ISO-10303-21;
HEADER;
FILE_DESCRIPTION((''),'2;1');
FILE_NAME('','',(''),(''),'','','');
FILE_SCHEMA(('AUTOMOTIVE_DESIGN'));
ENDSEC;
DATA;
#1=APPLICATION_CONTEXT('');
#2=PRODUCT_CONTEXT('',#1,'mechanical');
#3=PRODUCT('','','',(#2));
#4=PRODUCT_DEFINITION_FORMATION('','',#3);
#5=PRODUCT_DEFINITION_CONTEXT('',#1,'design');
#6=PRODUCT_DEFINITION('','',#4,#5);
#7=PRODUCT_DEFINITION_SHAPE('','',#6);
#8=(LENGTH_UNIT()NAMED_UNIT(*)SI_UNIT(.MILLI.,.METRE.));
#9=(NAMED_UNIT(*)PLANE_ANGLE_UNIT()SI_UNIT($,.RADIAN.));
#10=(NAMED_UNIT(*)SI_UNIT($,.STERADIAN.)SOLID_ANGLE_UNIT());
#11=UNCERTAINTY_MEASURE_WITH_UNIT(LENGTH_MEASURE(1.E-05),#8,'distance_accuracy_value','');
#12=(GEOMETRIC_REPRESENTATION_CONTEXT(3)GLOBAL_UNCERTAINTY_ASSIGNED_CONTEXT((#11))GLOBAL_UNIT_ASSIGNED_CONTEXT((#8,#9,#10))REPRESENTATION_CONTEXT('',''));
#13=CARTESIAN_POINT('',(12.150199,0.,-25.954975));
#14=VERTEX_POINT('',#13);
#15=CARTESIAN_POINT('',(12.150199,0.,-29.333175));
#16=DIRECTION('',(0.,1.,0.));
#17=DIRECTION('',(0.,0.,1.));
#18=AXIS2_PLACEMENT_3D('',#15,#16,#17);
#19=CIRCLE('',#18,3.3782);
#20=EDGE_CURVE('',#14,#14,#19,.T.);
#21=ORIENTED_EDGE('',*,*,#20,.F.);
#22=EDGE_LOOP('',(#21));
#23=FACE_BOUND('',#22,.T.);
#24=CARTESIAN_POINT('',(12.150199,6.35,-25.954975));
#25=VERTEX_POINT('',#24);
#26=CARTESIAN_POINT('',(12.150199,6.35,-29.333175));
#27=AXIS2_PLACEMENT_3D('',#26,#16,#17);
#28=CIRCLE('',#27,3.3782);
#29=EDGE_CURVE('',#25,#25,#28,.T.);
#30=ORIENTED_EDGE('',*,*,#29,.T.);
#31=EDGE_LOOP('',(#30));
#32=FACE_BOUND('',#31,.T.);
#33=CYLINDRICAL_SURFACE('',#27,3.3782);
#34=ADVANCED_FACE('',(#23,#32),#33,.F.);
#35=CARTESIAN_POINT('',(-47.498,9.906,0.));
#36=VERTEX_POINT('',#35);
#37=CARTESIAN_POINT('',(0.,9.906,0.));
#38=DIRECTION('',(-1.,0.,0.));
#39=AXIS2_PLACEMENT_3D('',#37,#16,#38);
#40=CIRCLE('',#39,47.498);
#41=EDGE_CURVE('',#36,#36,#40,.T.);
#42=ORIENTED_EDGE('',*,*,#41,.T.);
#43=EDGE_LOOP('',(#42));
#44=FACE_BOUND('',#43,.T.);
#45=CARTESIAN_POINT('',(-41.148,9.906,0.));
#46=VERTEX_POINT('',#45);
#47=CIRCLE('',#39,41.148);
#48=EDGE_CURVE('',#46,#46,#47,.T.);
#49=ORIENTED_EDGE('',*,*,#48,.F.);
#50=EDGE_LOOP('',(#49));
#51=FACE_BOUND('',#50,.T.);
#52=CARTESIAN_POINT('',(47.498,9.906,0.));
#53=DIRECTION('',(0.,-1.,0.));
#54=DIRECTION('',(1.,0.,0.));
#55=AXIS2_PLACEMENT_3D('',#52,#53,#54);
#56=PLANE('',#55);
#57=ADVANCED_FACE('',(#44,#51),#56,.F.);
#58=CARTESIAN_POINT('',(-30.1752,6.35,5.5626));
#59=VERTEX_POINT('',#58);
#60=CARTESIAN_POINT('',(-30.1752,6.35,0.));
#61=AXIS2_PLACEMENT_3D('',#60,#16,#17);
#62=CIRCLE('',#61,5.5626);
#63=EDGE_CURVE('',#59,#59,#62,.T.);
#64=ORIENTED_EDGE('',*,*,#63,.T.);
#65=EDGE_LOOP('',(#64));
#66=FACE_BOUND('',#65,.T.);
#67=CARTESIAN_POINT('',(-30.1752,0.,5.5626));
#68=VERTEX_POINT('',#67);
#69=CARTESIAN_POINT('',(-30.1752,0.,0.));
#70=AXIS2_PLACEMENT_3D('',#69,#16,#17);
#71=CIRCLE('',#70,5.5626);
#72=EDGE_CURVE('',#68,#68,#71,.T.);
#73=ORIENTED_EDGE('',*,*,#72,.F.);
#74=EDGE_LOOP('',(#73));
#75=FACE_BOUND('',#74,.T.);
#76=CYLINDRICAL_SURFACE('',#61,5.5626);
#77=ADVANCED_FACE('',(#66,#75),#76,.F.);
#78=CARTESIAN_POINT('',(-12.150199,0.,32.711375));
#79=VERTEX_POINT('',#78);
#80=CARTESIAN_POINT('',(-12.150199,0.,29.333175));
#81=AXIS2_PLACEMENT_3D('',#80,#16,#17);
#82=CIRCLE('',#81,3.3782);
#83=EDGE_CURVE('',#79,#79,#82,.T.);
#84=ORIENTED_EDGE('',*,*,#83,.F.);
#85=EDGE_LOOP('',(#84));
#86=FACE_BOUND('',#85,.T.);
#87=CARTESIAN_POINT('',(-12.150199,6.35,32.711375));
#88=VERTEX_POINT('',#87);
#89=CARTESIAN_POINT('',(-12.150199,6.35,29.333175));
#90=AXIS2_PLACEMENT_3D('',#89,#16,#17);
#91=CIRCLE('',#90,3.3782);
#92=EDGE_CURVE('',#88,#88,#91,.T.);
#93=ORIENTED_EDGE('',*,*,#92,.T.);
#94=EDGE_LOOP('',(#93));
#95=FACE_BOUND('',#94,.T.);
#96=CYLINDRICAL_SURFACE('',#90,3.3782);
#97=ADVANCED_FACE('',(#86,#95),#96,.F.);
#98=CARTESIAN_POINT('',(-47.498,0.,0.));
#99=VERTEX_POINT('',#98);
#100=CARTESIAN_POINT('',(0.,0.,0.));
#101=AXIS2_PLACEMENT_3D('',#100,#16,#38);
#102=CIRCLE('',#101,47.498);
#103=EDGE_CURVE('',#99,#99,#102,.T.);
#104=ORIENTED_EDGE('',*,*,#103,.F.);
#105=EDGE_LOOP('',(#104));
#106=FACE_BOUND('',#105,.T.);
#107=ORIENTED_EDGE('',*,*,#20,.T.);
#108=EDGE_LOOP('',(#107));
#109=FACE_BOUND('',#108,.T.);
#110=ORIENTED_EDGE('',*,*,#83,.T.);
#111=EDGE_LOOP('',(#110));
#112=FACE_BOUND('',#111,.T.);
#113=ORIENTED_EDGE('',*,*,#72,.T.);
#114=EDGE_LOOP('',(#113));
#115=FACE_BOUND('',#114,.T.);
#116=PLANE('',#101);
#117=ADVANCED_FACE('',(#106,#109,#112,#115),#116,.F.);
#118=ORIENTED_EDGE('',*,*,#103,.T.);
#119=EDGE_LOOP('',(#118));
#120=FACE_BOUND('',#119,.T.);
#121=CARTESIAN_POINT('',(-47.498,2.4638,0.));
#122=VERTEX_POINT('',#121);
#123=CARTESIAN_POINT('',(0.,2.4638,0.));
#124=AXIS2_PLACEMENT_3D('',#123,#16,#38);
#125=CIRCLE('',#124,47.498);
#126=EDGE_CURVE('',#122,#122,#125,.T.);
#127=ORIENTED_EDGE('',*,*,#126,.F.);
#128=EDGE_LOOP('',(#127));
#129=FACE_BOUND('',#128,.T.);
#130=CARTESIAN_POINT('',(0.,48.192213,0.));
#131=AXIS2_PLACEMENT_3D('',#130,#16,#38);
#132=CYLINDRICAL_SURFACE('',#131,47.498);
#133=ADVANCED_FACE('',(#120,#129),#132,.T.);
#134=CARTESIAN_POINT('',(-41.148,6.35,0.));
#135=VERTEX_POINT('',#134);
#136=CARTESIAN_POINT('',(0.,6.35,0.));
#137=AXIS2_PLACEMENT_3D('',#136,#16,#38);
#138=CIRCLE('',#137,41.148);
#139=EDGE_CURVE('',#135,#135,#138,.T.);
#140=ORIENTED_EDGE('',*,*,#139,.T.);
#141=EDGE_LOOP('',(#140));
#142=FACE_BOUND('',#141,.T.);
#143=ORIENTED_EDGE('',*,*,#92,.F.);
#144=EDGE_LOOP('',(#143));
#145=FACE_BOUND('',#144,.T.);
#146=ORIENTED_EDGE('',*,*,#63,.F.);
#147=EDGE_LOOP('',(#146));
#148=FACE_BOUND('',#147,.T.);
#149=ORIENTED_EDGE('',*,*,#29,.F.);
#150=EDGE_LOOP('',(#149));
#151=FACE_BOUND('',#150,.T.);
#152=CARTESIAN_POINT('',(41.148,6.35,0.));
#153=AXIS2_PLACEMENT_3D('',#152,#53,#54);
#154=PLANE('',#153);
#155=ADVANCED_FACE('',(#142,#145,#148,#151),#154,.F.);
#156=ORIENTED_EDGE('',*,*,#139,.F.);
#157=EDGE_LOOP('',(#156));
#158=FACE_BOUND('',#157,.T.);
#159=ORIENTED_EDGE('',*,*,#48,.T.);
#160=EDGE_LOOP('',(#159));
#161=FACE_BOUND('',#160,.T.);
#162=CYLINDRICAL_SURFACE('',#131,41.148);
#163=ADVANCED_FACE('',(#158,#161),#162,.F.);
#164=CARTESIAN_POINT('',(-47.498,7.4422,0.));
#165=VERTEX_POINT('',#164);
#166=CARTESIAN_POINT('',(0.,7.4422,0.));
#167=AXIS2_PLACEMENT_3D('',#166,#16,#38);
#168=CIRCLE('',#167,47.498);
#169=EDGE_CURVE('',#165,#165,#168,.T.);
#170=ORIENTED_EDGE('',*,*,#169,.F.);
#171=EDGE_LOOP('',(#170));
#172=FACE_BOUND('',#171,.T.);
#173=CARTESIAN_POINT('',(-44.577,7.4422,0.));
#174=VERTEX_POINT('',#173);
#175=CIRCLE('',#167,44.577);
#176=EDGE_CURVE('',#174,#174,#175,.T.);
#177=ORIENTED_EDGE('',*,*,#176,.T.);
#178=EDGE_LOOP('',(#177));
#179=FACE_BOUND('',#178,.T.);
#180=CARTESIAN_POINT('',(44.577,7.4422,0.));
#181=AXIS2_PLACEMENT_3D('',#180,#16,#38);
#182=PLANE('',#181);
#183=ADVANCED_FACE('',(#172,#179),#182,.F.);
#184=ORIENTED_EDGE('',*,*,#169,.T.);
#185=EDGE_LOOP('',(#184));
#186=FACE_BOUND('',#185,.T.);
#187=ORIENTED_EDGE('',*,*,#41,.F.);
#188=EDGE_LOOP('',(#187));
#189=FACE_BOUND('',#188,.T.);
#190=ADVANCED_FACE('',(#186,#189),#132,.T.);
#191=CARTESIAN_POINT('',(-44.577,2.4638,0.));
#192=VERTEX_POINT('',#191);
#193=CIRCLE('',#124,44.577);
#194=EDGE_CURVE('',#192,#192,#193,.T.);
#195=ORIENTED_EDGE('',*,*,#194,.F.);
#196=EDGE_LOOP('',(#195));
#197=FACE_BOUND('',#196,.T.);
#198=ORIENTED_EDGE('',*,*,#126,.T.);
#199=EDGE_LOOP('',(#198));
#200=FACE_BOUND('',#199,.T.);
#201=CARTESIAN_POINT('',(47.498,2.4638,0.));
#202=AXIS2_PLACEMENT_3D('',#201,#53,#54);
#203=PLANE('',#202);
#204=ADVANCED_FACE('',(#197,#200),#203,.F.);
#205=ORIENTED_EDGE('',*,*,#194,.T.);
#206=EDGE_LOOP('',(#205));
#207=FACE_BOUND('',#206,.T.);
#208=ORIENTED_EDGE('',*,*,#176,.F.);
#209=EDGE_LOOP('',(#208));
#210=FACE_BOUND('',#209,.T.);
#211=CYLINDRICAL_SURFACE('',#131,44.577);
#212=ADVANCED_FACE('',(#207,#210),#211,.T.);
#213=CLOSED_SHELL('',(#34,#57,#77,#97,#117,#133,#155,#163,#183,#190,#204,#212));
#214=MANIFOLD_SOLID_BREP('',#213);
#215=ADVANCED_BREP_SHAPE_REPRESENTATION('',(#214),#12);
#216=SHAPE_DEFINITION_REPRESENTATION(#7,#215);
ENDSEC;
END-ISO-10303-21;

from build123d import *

# Parameters (mm, degrees)
PIPE_TAP_DRILL_FOR_1_4_TAP1_D = 11.1252
F_1_4_CLEARANCE_HOLE1_D       = 6.7564
SKETCH7_R                     = 11.1125
BOSS_EXTRUDE1_DEPTH           = 6.35


with BuildPart() as part:
    # Sketch1 → Revolve1 (revolve)
    with BuildSketch(Plane.XY, mode=Mode.PRIVATE) as revolve1_sk:
        Polygon((0, 0), (47.498, 0), (47.498, 2.4638), (44.577, 2.4638), (44.577, 7.4422), (47.498, 7.4422), (47.498, 9.906), (41.148, 9.906), (41.148, 6.35), (0, 6.35), align=None)
    revolve(revolve1_sk.sketch.rotate(Axis((0, 48.192213231, 0), (0, -1, 0)), 180), axis=Axis((0, 48.192213231, 0), (0, -1, 0)))

    # Pipe Tap Drill for 1/4 Tap1 (through all)
    with Locations(Plane(origin=(0, 6.35, 0), x_dir=(1, 0, 0), z_dir=(0, 1, 0))):
        with Locations((0, 0), (-30.1752, 0)):
            Hole(PIPE_TAP_DRILL_FOR_1_4_TAP1_D / 2)

    # 1/4 Clearance Hole1 (through all)
    with Locations(Plane(origin=(0, 6.35, 0), x_dir=(1, 0, 0), z_dir=(0, 1, 0))):
        with Locations((12.150198978, 29.333175157), (-12.150198978, -29.333175157)):
            Hole(F_1_4_CLEARANCE_HOLE1_D / 2)

    # Sketch7 → Boss-Extrude1 (add)
    with BuildSketch(Plane(origin=(0, 6.35, 0), x_dir=(1, 0, 0), z_dir=(0, 1, 0))):
        Circle(SKETCH7_R)
    extrude(amount=-BOSS_EXTRUDE1_DEPTH)


solid = part.part
